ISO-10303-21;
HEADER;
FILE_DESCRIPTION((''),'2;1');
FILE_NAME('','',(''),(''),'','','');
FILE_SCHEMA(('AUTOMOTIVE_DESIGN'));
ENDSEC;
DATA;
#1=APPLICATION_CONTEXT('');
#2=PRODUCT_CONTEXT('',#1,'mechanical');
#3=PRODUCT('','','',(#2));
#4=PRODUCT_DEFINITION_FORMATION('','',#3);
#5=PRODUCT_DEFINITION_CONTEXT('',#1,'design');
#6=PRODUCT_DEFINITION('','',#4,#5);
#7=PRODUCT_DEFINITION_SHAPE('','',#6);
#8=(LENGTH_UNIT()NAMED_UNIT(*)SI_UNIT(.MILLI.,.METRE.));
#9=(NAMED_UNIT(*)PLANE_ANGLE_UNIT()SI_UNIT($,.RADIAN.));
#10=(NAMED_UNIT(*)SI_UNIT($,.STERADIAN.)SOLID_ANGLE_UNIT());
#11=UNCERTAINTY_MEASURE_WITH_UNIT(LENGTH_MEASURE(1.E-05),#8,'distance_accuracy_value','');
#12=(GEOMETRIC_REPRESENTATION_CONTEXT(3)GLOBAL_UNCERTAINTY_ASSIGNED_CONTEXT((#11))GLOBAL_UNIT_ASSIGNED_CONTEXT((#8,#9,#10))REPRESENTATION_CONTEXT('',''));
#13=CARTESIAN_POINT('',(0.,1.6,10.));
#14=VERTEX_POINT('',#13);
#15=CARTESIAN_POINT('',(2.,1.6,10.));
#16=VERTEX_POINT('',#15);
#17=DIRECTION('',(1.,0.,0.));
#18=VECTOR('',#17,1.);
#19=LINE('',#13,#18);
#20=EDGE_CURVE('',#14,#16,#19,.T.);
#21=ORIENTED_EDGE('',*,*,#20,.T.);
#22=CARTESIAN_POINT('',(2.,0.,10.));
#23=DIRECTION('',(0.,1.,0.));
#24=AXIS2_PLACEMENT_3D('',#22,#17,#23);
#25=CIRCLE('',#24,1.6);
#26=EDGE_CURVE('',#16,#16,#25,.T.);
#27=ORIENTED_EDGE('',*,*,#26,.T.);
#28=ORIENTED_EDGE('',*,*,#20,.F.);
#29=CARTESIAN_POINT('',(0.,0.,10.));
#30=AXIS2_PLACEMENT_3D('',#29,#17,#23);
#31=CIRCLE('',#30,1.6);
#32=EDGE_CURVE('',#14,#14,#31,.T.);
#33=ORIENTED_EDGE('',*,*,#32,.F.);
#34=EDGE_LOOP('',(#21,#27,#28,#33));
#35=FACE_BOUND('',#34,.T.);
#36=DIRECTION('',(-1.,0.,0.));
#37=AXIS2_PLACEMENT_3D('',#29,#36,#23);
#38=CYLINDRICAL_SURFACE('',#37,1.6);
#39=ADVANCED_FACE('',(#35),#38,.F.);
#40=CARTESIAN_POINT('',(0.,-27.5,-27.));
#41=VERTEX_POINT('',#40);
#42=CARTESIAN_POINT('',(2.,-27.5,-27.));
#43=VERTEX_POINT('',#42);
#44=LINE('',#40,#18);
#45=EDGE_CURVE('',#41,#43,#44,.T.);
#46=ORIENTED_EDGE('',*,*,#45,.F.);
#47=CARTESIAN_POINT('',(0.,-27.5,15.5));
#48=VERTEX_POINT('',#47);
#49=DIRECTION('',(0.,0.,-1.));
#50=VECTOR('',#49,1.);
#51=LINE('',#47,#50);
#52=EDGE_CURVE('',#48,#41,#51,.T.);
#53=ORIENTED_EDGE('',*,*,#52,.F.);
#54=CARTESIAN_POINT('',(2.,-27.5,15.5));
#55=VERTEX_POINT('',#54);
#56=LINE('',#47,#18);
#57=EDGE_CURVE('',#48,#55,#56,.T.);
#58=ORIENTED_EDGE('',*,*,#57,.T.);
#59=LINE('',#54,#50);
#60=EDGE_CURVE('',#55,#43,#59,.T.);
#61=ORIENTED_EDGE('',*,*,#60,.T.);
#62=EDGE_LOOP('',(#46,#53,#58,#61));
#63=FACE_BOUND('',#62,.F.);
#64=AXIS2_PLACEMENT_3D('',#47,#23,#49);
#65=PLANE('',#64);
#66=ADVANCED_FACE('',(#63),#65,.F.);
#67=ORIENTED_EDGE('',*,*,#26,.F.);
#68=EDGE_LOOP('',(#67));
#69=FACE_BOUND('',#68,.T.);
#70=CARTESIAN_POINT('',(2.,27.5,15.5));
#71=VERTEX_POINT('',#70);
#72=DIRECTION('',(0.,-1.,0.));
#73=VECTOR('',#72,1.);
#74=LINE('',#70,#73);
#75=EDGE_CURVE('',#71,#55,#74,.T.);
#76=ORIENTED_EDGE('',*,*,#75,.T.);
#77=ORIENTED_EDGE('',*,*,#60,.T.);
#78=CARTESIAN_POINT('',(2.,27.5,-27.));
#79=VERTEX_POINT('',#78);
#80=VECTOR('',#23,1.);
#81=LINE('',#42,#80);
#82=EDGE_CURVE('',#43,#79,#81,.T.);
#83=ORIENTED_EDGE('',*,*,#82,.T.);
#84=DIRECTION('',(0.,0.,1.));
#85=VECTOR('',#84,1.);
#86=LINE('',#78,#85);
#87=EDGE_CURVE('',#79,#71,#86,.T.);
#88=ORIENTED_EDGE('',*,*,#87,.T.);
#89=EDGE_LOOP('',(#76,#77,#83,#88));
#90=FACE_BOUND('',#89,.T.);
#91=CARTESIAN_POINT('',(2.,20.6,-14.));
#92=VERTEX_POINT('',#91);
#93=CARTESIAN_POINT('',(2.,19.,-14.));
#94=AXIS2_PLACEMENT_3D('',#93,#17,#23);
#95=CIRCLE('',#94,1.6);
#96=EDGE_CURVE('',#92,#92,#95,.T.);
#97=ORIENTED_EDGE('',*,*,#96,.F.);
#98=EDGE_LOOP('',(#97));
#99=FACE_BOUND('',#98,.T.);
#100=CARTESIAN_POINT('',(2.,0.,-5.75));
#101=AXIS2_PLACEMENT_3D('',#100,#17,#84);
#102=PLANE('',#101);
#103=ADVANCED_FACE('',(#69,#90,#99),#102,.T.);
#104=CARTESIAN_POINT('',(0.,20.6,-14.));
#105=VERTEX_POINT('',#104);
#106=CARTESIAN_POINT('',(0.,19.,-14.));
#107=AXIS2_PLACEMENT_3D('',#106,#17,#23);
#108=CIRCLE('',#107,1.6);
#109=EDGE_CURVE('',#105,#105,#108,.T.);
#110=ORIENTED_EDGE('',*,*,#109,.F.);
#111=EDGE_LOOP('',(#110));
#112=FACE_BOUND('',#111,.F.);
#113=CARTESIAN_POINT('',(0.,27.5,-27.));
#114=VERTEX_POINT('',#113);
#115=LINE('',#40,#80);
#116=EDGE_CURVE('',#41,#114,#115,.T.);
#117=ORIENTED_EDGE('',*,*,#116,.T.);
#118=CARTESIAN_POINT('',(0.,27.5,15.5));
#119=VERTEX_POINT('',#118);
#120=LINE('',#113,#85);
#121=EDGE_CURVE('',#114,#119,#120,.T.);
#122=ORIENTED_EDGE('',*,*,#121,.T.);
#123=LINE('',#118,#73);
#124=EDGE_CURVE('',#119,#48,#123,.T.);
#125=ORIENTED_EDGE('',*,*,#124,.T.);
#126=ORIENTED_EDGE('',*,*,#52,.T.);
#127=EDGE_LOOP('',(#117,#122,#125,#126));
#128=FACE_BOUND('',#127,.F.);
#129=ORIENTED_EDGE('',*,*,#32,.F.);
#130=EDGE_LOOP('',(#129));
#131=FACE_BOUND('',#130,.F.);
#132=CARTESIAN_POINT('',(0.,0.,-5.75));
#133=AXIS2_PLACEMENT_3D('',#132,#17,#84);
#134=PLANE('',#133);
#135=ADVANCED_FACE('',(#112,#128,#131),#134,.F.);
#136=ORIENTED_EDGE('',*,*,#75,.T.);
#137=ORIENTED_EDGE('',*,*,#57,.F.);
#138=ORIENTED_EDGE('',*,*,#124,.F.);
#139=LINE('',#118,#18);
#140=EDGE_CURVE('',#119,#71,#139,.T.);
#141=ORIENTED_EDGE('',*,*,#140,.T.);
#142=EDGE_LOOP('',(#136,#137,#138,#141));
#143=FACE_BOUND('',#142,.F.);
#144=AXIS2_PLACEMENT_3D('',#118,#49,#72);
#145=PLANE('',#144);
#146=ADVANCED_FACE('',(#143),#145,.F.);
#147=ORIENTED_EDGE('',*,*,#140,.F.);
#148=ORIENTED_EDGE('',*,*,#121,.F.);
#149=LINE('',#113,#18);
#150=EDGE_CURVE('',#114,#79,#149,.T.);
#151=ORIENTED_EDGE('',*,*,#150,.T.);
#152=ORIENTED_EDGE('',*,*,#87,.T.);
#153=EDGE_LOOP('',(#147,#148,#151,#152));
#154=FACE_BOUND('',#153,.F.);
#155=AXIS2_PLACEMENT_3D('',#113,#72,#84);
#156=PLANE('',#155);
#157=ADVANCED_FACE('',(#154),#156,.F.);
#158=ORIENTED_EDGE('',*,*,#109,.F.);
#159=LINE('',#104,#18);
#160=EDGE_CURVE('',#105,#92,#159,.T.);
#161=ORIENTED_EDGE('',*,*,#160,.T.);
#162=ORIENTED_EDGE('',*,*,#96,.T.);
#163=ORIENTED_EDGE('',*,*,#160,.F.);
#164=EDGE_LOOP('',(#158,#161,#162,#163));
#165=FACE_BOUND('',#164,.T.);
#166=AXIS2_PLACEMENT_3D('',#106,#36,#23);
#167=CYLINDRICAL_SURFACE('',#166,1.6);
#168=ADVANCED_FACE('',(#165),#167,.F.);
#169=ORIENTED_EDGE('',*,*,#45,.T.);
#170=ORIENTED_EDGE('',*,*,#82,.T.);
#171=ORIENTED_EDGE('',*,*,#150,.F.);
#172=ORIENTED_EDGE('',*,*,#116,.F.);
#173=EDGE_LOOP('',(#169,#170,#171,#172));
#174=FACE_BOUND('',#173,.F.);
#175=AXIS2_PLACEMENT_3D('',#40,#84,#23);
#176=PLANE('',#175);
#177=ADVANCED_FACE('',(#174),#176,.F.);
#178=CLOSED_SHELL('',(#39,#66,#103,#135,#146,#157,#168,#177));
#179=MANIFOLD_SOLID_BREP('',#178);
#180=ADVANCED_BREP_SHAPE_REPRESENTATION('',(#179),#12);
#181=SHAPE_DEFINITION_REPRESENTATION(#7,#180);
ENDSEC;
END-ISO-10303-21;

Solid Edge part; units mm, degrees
sketch "Sketch1" plane through (0, 0, 0) normal (1, 0, 0) x (0, 1, 0)
  line L0 (27.5, -27) -> (27.5, 15.5)
  line L1 (27.5, 15.5) -> (-27.5, 15.5)
  line L2 (-27.5, 15.5) -> (-27.5, -27)
  line L3 (-27.5, -27) -> (27.5, -27)
extrude "Protrusion1" add sketch "Sketch1" along normal blind 2
sketch "Sketch2" plane through (0, 0, 0) normal (1, 0, 0) x (0, 1, 0)
  circle A0 centre (0, 10) radius 1.6
  circle A1 centre (19, -14) radius 1.6
  dimension "D1" = 3.2
  dimension "D2" = 3.2
  dimension "D3" = 3.5
  dimension "D4" = 3.5
  dimension "D5" = 3.5
  dimension "D6" = 3.5
extrude "ExtrudedCutout_7" cut sketch "Sketch2" along normal blind 2
properties material "ABS Plastic, high impact"
